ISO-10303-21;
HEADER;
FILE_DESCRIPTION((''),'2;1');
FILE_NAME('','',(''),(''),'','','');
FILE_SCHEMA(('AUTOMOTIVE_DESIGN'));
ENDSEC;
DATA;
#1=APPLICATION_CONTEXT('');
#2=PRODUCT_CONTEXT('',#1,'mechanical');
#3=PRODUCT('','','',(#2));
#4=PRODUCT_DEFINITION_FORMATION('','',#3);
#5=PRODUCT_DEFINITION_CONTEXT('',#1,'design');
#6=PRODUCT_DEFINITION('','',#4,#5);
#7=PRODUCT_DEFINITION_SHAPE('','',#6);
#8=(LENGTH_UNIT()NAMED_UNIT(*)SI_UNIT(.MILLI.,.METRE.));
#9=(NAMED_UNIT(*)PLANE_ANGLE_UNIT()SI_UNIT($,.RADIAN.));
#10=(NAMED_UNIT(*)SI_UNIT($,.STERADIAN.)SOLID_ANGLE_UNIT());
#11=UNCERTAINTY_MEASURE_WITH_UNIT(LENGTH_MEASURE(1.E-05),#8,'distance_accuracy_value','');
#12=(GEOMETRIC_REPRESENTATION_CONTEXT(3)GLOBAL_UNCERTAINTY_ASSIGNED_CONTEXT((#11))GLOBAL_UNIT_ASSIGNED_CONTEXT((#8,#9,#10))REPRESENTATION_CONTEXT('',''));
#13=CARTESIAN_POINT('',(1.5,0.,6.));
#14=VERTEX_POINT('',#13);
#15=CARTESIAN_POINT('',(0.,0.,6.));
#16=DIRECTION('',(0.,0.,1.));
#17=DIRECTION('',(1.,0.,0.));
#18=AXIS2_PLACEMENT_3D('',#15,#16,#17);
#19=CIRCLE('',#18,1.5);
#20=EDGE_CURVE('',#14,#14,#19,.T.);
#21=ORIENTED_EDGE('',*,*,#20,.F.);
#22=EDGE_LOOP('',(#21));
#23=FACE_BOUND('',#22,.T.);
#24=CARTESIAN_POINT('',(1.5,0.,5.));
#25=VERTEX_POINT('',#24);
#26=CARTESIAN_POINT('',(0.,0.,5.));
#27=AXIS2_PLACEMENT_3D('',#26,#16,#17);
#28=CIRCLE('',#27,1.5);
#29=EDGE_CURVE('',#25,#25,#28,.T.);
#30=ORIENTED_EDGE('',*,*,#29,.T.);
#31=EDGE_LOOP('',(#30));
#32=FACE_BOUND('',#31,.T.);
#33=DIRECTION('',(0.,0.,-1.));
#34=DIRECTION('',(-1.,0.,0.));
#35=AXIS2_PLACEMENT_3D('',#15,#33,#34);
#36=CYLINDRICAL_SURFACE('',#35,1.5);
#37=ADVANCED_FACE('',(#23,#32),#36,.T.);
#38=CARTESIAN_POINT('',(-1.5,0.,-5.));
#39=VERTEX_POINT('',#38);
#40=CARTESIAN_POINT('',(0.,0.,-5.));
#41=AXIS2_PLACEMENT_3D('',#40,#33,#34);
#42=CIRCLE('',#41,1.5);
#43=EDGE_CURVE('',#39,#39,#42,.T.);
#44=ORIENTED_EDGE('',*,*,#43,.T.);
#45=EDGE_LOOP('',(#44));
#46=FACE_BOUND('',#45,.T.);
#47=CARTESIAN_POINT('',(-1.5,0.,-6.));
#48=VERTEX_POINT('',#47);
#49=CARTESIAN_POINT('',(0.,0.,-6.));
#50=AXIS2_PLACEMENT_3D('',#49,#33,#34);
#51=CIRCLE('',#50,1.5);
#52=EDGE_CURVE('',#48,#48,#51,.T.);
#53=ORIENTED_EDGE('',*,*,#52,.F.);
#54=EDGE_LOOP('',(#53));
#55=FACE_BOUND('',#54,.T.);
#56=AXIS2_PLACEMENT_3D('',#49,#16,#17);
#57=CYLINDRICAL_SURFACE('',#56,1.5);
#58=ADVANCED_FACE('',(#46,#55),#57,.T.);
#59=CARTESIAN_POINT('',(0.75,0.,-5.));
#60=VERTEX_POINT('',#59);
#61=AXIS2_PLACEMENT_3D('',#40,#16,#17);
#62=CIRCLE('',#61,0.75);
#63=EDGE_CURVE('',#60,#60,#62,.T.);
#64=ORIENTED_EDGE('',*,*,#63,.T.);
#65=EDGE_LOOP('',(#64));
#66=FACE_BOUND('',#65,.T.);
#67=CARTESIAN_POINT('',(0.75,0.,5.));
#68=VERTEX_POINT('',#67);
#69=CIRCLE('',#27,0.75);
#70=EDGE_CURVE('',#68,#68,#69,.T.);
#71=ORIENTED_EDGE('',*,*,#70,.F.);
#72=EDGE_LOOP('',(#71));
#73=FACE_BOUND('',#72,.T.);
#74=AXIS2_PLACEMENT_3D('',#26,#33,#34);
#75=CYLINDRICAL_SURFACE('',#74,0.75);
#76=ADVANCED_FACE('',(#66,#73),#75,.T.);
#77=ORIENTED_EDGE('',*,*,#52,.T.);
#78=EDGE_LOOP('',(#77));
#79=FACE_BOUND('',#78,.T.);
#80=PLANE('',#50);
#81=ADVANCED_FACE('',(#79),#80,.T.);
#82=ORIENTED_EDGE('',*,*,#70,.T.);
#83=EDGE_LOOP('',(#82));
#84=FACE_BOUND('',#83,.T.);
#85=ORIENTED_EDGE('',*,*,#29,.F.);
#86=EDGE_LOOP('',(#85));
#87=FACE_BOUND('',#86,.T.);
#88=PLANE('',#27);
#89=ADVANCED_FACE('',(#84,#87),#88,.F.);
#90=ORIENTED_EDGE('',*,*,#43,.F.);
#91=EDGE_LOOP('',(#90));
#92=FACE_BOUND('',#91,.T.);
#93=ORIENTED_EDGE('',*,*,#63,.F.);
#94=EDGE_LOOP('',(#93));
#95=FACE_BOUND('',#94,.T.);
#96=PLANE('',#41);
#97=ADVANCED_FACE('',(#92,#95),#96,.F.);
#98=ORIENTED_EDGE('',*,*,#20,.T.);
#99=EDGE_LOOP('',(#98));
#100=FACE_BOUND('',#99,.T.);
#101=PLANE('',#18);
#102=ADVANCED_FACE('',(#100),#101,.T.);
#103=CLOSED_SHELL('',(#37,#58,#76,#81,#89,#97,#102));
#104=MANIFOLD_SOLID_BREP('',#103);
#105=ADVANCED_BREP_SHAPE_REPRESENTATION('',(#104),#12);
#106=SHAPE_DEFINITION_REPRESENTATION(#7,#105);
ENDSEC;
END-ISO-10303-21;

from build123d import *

# Parameters (mm, degrees)
SKETCH1_R           = 0.75
BOSS_EXTRUDE1_DEPTH = 5
SKETCH2_R           = 1.5
BOSS_EXTRUDE2_DEPTH = 1
BOSS_EXTRUDE3_START = 1
SKETCH3_R           = 1.5
BOSS_EXTRUDE3_DEPTH = 1


with BuildPart() as part:
    # Sketch1 → Boss-Extrude1 (new, symmetric)
    with BuildSketch(Plane.XY):
        Circle(SKETCH1_R)
    extrude(amount=BOSS_EXTRUDE1_DEPTH, both=True)

    # Sketch2 → Boss-Extrude2 (add)
    with BuildSketch(Plane.XY.offset(5)):
        Circle(SKETCH2_R)
    extrude(amount=BOSS_EXTRUDE2_DEPTH)

    # Sketch3 → Boss-Extrude3 (add)
    with BuildSketch(Plane(origin=(0, 0, -5), x_dir=(-1, 0, 0), z_dir=(0, 0, -1)).offset(BOSS_EXTRUDE3_START)):
        with Locations(Location((0, 0, 0), (0, 0, 180))):
            Circle(SKETCH3_R)
    extrude(amount=-BOSS_EXTRUDE3_DEPTH)


solid = part.part
